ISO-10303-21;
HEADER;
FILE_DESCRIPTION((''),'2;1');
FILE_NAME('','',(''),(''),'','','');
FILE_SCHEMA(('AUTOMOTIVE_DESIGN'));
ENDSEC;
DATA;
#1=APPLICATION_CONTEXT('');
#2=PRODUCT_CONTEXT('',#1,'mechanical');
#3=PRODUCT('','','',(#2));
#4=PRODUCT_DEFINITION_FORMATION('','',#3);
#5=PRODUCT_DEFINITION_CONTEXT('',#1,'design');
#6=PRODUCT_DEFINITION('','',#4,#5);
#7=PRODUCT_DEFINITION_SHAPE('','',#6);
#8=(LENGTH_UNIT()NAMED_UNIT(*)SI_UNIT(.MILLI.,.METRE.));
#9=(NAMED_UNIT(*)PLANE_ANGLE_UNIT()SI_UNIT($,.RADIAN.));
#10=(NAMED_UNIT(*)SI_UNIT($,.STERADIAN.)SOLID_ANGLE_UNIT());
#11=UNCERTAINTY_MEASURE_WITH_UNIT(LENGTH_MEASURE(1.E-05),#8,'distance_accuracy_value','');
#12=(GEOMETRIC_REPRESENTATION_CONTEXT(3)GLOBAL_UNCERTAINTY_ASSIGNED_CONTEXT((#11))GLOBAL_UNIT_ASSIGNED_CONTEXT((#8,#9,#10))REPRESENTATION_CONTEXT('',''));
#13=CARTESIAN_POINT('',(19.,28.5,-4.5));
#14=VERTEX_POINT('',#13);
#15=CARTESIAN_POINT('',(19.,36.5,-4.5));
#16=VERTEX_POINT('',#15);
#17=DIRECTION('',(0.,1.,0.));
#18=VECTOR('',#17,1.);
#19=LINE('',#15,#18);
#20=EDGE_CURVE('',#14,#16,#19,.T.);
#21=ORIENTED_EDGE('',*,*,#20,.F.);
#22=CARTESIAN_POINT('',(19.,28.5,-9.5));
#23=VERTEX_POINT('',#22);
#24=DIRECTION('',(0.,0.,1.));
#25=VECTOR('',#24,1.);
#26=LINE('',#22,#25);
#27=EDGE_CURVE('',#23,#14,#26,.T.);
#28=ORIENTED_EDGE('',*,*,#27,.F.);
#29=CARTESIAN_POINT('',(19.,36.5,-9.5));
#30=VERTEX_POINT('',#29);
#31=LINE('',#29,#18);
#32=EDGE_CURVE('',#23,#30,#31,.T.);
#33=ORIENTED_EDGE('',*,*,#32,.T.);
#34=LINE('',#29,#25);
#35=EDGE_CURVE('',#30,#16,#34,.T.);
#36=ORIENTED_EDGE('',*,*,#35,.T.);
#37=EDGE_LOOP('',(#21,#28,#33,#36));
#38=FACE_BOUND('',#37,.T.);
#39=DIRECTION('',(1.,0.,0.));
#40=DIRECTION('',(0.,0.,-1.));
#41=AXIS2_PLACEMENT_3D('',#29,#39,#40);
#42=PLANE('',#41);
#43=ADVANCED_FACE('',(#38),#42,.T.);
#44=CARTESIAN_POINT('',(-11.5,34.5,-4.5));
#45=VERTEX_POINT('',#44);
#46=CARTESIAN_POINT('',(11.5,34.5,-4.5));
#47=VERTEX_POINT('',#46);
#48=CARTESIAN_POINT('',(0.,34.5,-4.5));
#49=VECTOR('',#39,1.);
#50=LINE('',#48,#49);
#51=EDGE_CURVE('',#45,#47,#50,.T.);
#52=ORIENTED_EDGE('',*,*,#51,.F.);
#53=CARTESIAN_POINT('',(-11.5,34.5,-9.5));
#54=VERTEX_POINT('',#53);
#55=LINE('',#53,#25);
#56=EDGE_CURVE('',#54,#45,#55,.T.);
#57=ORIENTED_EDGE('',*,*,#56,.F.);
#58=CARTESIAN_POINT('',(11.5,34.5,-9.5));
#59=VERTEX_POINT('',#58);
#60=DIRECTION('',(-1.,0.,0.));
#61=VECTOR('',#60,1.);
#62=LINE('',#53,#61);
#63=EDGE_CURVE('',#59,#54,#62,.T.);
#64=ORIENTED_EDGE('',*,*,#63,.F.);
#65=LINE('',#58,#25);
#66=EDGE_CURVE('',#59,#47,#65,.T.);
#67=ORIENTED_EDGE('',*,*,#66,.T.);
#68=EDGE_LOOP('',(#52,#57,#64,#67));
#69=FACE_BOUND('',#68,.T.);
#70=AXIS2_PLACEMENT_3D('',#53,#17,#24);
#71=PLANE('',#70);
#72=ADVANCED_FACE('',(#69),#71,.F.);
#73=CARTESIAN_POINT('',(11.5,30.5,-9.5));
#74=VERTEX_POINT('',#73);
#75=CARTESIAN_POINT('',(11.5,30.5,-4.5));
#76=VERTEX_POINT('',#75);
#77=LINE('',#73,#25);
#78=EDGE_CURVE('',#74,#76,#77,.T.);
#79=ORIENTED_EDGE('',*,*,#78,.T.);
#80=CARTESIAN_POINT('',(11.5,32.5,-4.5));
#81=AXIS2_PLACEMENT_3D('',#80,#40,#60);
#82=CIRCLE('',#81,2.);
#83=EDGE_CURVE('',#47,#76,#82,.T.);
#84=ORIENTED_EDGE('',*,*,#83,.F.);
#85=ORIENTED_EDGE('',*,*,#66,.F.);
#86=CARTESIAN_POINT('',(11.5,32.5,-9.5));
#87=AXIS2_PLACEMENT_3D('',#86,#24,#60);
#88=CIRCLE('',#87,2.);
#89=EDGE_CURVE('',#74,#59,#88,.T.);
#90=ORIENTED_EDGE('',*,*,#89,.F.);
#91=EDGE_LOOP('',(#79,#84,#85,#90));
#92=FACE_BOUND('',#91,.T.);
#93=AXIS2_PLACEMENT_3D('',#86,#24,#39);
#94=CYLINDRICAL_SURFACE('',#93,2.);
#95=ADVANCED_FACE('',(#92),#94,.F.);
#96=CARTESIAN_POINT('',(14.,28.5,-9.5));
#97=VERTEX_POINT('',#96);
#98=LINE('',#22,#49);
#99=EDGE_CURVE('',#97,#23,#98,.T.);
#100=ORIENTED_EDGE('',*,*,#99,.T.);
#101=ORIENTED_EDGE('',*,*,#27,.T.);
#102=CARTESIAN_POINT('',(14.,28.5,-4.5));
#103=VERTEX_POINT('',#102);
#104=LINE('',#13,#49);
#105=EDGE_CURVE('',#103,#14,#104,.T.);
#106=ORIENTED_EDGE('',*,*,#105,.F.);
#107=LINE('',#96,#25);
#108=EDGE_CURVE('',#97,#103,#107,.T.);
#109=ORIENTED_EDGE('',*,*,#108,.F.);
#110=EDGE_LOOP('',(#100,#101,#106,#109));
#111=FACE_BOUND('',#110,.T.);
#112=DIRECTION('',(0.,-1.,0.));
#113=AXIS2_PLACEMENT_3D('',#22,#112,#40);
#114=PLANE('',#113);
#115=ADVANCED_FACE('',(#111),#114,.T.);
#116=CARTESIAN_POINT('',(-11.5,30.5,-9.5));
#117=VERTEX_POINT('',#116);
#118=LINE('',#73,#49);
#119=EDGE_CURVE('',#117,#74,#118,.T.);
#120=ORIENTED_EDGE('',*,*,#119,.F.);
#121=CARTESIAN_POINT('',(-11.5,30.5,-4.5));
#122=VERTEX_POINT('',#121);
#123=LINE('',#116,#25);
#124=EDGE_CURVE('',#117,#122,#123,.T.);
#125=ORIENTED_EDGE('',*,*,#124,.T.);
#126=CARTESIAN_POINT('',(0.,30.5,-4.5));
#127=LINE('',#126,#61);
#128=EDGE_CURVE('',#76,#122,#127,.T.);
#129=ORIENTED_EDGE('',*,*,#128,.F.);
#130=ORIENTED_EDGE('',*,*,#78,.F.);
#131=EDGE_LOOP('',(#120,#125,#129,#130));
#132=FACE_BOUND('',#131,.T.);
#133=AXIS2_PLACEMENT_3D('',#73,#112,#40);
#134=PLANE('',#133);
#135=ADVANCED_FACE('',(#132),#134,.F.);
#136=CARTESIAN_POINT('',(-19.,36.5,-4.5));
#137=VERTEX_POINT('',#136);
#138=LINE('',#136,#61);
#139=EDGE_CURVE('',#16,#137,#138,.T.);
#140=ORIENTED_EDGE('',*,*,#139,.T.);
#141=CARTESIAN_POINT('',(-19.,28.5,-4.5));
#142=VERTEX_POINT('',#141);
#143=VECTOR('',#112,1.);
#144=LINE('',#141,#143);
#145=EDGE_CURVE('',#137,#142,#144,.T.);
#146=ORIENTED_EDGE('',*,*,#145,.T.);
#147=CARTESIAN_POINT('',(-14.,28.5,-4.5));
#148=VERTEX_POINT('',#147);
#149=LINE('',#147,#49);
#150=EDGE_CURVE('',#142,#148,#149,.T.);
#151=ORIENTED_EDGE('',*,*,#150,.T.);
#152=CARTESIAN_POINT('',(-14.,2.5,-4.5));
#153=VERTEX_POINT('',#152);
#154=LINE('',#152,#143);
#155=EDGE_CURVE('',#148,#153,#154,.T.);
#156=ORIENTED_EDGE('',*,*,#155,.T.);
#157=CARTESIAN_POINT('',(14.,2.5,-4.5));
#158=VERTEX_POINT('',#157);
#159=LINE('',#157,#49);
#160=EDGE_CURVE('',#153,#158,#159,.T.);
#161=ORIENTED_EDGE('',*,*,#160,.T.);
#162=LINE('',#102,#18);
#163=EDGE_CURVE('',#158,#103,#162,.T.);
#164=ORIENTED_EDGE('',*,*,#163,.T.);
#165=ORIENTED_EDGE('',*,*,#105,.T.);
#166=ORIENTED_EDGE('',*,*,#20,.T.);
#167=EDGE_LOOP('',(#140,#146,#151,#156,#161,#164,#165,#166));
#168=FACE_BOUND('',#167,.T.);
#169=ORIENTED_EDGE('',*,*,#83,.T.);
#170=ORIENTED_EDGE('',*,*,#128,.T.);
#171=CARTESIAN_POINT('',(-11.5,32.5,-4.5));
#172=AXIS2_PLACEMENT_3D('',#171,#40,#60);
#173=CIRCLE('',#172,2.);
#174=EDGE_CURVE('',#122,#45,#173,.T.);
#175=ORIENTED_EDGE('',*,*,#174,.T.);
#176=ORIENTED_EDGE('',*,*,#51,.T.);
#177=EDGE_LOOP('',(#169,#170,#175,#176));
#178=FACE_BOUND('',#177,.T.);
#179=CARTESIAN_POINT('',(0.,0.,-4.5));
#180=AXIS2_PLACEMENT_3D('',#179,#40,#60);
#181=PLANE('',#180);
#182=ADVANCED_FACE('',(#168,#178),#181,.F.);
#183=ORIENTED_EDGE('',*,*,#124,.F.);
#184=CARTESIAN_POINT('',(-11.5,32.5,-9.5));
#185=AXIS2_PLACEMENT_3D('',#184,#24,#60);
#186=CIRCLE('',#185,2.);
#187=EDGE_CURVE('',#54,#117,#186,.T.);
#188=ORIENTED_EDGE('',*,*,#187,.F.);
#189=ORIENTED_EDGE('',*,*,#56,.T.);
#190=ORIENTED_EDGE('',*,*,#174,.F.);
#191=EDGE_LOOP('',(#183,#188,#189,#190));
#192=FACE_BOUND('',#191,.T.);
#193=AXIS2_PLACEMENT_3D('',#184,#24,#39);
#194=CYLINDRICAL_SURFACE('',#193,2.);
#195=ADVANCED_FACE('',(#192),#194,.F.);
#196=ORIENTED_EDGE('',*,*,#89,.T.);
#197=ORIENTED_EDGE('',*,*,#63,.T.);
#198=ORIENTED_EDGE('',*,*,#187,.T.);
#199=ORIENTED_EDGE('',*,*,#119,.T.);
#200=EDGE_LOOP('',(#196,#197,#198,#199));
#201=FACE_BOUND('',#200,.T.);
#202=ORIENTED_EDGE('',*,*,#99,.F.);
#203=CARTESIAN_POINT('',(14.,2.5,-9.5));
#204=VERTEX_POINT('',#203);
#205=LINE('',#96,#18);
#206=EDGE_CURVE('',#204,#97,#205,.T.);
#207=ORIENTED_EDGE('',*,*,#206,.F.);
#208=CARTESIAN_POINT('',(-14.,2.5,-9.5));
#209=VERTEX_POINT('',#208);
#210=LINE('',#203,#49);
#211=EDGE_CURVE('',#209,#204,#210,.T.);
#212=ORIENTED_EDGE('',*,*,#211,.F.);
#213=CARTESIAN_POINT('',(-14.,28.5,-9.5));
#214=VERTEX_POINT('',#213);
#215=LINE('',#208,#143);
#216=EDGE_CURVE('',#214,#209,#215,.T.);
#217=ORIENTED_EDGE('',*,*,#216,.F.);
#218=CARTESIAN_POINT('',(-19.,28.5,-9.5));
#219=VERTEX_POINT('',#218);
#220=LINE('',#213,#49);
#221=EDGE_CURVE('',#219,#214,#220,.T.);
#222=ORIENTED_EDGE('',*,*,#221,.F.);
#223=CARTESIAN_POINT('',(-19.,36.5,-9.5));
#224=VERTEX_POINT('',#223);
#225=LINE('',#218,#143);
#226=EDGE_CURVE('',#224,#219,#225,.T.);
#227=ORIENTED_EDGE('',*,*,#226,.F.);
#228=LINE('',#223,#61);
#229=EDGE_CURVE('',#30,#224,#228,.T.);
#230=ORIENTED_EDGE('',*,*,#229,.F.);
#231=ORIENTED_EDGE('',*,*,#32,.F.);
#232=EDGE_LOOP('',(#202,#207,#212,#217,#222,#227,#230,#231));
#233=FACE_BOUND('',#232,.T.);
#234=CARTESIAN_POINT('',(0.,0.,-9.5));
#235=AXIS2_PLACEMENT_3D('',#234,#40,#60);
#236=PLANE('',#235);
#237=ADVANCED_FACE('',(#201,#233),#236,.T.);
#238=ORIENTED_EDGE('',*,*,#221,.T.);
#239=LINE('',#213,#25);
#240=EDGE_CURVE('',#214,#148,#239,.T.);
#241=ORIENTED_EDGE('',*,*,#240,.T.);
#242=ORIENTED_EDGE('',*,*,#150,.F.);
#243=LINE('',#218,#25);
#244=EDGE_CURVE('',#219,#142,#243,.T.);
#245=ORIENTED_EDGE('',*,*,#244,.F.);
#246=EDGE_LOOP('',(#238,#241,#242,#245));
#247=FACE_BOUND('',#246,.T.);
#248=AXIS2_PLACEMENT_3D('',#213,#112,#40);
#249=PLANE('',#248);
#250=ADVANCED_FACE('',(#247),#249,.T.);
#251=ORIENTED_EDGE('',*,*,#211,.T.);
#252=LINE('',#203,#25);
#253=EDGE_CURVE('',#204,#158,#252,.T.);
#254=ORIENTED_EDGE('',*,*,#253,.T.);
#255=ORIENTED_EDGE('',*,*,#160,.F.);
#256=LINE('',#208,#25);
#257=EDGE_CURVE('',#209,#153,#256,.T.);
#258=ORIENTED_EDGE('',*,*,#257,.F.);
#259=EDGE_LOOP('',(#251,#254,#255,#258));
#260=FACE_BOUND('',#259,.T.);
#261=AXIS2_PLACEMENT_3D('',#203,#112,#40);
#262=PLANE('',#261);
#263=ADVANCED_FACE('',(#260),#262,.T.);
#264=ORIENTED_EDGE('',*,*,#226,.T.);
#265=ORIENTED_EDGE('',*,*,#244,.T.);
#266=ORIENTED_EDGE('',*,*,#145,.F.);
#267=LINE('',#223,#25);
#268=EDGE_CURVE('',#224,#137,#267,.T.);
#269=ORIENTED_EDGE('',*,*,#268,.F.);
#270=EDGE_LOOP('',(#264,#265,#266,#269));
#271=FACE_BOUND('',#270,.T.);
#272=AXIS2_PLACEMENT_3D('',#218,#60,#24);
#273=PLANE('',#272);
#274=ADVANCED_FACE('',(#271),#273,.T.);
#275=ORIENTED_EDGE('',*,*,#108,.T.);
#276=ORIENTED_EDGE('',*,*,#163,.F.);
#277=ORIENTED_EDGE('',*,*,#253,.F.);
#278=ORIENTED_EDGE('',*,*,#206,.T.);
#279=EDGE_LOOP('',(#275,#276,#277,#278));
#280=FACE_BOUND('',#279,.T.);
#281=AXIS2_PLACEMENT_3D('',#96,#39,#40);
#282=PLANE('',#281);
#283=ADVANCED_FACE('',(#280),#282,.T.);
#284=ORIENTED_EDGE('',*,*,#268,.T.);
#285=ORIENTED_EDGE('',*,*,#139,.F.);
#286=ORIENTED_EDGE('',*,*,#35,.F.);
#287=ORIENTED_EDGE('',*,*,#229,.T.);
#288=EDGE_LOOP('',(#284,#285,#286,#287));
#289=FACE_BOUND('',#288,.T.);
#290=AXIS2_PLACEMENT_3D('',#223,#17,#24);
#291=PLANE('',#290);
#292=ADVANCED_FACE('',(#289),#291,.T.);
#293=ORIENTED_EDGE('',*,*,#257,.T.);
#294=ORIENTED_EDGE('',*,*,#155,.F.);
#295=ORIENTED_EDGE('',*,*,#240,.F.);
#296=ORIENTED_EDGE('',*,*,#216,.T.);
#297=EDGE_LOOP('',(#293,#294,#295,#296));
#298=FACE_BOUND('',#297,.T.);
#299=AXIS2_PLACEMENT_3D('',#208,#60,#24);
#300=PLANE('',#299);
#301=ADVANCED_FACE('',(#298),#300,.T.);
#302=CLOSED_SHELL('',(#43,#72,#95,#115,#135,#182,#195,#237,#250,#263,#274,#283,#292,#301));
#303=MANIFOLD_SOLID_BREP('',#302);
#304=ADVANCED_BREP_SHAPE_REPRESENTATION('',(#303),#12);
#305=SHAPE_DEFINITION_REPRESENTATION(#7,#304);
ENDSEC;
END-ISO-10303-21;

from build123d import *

# Parameters (mm, degrees)
CORPS_VERROU_GUILLOTINE_START         = -4.5
CORPS_VERROU_GUILLOTINE_DEPTH         = 5
LUMIERE_OBLONGUE_MANIVELLE_DEPTH      = 43.231504828
LUMIERE_OBLONGUE_MANIVELLE_DEPTH_BACK = 43.231504828


with BuildPart() as part:
    # Esquisse1 → Corps_verrou_guillotine (new body)
    with BuildSketch(Plane.XY.offset(CORPS_VERROU_GUILLOTINE_START)):
        Polygon((-19, 36.5), (19, 36.5), (19, 28.5), (14, 28.5), (14, 2.5), (-14, 2.5), (-14, 28.5), (-19, 28.5), align=None)
    extrude(amount=-CORPS_VERROU_GUILLOTINE_DEPTH)

    # Esquisse2 → Lumiere_oblongue_manivelle (cut, two sides: drawn at the far end of the back side and taken through both)
    with BuildSketch(Plane.XY.offset(-LUMIERE_OBLONGUE_MANIVELLE_DEPTH_BACK)):
        with BuildLine():
            Line((-11.5, 34.5), (11.5, 34.5))
            ThreePointArc((11.5, 34.5), (13.5, 32.5), (11.5, 30.5))
            Line((11.5, 30.5), (-11.5, 30.5))
            ThreePointArc((-11.5, 30.5), (-13.5, 32.5), (-11.5, 34.5))
        make_face()
    extrude(amount=LUMIERE_OBLONGUE_MANIVELLE_DEPTH + LUMIERE_OBLONGUE_MANIVELLE_DEPTH_BACK, mode=Mode.SUBTRACT)


solid = part.part
